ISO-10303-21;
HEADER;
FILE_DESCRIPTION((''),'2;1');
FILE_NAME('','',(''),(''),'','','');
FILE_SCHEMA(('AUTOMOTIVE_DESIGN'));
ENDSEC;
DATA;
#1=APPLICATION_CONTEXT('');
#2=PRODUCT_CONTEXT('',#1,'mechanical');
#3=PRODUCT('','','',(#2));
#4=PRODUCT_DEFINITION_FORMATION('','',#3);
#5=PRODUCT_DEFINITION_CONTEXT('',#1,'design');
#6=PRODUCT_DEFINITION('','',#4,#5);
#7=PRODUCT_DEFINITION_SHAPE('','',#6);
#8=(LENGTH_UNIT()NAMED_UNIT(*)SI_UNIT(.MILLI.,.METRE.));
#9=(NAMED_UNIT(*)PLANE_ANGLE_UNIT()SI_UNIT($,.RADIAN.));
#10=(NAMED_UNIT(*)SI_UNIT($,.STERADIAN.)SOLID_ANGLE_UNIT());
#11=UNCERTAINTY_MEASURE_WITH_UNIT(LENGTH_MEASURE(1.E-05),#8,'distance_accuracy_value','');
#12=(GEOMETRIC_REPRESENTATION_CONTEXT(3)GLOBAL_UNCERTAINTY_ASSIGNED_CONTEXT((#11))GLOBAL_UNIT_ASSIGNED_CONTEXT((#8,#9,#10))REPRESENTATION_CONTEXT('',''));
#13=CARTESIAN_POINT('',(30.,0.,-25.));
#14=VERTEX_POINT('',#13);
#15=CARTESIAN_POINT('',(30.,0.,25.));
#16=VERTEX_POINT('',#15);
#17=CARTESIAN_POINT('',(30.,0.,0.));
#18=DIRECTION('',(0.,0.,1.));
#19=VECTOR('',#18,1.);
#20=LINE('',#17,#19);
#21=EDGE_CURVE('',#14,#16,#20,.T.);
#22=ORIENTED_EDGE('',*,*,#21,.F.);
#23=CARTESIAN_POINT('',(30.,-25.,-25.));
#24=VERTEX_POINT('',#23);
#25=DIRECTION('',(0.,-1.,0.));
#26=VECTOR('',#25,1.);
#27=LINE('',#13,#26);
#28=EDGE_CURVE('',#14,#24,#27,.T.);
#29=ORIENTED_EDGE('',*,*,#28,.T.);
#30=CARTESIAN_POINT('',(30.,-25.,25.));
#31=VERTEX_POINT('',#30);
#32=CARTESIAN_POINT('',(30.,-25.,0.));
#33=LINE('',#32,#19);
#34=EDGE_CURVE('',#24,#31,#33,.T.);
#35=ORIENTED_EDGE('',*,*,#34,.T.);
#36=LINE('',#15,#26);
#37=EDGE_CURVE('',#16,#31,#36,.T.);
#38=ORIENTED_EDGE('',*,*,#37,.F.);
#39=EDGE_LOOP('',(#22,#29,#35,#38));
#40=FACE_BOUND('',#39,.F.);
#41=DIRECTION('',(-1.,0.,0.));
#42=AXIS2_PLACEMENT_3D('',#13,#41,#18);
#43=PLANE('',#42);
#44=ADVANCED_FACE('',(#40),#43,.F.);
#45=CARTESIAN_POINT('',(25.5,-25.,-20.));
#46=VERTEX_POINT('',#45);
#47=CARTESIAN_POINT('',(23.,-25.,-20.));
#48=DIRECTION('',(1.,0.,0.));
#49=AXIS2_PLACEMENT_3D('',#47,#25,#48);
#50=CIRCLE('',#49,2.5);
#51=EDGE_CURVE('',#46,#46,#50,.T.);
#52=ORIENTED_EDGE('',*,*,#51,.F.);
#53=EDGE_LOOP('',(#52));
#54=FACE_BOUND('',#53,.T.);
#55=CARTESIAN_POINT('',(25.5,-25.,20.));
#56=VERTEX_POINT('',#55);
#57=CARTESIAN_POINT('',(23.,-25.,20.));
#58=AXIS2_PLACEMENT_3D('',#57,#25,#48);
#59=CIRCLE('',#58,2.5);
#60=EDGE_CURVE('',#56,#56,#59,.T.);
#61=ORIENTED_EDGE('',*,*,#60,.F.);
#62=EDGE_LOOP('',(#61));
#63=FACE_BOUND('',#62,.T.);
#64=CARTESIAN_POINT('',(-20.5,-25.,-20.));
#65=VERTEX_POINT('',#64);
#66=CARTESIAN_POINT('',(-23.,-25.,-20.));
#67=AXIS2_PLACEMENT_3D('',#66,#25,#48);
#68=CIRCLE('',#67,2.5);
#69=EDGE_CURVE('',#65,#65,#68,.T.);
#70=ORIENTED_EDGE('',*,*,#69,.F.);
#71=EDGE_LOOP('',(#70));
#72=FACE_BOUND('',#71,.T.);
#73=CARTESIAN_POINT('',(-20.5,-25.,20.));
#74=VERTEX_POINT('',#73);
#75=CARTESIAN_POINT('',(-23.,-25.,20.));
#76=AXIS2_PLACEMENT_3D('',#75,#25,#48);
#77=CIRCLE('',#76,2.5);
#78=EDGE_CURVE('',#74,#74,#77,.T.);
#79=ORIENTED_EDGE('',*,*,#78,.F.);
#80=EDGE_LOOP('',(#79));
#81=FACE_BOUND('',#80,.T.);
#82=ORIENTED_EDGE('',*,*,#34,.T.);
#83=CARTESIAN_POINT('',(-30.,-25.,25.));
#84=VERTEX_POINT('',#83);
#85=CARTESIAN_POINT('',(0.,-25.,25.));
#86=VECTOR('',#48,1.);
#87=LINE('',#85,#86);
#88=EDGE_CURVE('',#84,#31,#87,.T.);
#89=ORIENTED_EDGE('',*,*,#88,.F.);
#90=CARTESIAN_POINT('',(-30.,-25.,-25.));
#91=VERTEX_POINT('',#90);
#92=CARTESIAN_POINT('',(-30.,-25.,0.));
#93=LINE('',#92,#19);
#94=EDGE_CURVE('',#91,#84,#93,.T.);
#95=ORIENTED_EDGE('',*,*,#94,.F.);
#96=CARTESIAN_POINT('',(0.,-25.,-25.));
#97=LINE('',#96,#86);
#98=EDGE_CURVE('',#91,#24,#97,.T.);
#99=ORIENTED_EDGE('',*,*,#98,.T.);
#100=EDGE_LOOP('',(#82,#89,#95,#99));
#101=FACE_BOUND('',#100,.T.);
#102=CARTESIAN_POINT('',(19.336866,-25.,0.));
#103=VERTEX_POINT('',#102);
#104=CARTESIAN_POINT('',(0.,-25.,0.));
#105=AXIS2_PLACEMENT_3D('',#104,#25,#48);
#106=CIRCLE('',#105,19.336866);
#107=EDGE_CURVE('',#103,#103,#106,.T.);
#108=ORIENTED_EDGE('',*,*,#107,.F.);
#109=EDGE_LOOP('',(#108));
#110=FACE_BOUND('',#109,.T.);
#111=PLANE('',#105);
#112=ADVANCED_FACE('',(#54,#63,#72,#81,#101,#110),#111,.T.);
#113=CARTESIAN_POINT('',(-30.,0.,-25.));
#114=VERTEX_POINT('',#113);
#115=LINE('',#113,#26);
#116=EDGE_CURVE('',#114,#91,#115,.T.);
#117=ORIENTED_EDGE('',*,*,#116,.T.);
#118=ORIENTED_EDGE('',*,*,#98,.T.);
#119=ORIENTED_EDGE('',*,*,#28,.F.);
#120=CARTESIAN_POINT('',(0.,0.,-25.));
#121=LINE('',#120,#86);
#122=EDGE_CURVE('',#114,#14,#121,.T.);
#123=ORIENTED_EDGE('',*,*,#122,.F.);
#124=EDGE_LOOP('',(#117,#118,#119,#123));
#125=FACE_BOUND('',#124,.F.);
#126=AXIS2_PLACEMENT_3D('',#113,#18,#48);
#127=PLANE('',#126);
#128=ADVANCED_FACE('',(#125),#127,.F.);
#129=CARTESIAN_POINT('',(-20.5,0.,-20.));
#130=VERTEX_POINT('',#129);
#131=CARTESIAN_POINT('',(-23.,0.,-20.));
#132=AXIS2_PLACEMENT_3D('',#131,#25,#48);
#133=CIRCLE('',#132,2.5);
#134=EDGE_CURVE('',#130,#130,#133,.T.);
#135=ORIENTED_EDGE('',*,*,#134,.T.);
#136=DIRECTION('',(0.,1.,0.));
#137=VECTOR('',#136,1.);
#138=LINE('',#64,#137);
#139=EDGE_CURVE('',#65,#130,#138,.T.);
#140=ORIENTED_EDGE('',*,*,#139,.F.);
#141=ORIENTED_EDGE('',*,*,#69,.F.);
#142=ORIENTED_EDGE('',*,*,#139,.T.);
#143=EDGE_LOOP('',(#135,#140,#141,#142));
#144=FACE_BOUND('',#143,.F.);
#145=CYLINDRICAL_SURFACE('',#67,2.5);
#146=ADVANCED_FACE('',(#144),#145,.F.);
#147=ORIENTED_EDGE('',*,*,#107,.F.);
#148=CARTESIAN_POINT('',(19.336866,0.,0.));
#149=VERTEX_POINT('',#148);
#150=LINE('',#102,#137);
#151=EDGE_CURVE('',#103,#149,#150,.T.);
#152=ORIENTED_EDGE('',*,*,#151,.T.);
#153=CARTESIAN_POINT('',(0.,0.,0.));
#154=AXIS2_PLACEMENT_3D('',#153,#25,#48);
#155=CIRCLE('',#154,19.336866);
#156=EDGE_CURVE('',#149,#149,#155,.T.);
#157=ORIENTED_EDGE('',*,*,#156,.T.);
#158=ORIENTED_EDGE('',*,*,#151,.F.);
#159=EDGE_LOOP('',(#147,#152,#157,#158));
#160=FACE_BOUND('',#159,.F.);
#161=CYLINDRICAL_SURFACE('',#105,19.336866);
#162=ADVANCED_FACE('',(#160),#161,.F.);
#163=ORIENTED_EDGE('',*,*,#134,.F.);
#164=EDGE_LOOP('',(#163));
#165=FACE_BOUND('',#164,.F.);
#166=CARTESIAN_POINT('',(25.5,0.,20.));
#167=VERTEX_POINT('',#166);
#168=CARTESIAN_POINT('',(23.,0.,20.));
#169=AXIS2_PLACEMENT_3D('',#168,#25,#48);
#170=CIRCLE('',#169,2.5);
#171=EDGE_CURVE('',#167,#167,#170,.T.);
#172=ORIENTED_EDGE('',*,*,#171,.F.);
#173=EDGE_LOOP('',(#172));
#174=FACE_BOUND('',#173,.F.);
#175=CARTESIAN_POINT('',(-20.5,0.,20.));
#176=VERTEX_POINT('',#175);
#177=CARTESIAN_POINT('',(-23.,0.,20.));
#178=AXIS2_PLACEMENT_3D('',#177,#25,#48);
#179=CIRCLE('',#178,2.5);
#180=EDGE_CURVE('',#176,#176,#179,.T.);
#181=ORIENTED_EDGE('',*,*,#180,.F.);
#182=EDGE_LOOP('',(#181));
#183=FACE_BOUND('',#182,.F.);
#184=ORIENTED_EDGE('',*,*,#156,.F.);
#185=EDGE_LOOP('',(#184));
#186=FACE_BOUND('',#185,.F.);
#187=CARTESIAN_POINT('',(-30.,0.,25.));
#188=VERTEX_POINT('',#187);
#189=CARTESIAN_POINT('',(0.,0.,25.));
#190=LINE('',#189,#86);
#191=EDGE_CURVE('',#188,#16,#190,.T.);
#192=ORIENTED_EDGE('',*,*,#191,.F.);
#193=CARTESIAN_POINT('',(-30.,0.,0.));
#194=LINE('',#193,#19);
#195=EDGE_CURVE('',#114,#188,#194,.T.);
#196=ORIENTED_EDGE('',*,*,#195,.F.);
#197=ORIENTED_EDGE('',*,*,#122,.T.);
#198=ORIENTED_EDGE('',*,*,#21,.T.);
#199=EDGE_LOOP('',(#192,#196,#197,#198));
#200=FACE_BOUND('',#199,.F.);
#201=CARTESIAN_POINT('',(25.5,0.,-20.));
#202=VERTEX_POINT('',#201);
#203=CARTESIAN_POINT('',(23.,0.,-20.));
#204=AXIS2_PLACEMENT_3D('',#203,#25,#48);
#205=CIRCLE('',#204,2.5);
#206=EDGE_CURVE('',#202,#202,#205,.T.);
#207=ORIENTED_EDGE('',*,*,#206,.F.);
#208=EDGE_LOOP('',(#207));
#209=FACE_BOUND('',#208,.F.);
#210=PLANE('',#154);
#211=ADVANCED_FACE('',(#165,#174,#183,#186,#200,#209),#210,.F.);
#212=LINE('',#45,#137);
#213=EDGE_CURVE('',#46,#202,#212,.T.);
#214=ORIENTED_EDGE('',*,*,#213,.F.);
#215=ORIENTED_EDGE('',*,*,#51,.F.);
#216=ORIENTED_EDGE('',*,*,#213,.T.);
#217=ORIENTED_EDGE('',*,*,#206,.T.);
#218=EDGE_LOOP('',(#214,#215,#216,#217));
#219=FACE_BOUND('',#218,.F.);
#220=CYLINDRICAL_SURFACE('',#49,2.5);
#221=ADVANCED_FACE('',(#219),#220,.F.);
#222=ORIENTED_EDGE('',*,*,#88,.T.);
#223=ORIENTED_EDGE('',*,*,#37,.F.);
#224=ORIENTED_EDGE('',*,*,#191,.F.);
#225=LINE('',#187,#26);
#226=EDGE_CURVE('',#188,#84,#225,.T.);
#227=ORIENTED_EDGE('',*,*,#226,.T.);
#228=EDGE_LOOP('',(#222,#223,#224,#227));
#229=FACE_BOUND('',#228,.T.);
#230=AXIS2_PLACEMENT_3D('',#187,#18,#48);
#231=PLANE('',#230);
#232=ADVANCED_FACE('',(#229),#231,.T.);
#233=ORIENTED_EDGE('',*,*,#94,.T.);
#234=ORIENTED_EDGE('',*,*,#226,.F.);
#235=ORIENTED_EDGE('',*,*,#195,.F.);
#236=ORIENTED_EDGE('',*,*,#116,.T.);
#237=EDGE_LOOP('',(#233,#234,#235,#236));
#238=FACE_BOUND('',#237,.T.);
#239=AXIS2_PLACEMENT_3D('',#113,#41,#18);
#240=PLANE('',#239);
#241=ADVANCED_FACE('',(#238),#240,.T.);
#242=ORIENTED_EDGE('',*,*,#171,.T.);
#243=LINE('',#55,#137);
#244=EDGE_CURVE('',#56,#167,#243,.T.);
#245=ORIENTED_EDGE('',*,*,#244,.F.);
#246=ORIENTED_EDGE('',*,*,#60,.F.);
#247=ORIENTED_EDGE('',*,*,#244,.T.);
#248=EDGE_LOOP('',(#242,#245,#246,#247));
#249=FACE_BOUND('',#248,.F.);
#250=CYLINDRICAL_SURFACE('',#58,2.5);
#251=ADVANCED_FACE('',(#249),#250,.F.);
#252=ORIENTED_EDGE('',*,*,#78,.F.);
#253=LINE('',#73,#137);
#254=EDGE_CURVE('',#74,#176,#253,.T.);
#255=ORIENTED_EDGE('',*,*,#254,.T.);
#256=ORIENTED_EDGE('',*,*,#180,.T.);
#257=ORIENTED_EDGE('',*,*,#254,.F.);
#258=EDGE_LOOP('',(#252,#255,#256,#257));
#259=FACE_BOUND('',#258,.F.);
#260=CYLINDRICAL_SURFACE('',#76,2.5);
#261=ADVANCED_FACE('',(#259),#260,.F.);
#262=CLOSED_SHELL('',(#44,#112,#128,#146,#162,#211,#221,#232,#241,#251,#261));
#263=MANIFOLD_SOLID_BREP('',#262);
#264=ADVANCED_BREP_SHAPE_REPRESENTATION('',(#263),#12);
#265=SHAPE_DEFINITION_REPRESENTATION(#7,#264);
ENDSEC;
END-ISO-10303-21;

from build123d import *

# Parameters (mm, degrees)
F0_W     = 60
F0_H     = 50
F1_DEPTH = 25
F2_R     = 2.5
F2_R_2   = 19.336866
F3_DEPTH = 25.001


with BuildPart() as f1:
    # F0 (on Front) → F1 (new body)
    with BuildSketch(Plane.XZ):
        Rectangle(F0_W, F0_H)
    extrude(amount=F1_DEPTH)

    # F2 (on face) → F3 (cut, through all)
    with BuildSketch(Plane.XZ.offset(25)):
        with Locations((-23, 20)):
            Circle(F2_R)
        with Locations((23, 20)):
            Circle(F2_R)
        with Locations((-23, -20)):
            Circle(F2_R)
        with Locations((23, -20)):
            Circle(F2_R)
        Circle(F2_R_2)
    extrude(amount=-F3_DEPTH, mode=Mode.SUBTRACT)


solid = f1.part
